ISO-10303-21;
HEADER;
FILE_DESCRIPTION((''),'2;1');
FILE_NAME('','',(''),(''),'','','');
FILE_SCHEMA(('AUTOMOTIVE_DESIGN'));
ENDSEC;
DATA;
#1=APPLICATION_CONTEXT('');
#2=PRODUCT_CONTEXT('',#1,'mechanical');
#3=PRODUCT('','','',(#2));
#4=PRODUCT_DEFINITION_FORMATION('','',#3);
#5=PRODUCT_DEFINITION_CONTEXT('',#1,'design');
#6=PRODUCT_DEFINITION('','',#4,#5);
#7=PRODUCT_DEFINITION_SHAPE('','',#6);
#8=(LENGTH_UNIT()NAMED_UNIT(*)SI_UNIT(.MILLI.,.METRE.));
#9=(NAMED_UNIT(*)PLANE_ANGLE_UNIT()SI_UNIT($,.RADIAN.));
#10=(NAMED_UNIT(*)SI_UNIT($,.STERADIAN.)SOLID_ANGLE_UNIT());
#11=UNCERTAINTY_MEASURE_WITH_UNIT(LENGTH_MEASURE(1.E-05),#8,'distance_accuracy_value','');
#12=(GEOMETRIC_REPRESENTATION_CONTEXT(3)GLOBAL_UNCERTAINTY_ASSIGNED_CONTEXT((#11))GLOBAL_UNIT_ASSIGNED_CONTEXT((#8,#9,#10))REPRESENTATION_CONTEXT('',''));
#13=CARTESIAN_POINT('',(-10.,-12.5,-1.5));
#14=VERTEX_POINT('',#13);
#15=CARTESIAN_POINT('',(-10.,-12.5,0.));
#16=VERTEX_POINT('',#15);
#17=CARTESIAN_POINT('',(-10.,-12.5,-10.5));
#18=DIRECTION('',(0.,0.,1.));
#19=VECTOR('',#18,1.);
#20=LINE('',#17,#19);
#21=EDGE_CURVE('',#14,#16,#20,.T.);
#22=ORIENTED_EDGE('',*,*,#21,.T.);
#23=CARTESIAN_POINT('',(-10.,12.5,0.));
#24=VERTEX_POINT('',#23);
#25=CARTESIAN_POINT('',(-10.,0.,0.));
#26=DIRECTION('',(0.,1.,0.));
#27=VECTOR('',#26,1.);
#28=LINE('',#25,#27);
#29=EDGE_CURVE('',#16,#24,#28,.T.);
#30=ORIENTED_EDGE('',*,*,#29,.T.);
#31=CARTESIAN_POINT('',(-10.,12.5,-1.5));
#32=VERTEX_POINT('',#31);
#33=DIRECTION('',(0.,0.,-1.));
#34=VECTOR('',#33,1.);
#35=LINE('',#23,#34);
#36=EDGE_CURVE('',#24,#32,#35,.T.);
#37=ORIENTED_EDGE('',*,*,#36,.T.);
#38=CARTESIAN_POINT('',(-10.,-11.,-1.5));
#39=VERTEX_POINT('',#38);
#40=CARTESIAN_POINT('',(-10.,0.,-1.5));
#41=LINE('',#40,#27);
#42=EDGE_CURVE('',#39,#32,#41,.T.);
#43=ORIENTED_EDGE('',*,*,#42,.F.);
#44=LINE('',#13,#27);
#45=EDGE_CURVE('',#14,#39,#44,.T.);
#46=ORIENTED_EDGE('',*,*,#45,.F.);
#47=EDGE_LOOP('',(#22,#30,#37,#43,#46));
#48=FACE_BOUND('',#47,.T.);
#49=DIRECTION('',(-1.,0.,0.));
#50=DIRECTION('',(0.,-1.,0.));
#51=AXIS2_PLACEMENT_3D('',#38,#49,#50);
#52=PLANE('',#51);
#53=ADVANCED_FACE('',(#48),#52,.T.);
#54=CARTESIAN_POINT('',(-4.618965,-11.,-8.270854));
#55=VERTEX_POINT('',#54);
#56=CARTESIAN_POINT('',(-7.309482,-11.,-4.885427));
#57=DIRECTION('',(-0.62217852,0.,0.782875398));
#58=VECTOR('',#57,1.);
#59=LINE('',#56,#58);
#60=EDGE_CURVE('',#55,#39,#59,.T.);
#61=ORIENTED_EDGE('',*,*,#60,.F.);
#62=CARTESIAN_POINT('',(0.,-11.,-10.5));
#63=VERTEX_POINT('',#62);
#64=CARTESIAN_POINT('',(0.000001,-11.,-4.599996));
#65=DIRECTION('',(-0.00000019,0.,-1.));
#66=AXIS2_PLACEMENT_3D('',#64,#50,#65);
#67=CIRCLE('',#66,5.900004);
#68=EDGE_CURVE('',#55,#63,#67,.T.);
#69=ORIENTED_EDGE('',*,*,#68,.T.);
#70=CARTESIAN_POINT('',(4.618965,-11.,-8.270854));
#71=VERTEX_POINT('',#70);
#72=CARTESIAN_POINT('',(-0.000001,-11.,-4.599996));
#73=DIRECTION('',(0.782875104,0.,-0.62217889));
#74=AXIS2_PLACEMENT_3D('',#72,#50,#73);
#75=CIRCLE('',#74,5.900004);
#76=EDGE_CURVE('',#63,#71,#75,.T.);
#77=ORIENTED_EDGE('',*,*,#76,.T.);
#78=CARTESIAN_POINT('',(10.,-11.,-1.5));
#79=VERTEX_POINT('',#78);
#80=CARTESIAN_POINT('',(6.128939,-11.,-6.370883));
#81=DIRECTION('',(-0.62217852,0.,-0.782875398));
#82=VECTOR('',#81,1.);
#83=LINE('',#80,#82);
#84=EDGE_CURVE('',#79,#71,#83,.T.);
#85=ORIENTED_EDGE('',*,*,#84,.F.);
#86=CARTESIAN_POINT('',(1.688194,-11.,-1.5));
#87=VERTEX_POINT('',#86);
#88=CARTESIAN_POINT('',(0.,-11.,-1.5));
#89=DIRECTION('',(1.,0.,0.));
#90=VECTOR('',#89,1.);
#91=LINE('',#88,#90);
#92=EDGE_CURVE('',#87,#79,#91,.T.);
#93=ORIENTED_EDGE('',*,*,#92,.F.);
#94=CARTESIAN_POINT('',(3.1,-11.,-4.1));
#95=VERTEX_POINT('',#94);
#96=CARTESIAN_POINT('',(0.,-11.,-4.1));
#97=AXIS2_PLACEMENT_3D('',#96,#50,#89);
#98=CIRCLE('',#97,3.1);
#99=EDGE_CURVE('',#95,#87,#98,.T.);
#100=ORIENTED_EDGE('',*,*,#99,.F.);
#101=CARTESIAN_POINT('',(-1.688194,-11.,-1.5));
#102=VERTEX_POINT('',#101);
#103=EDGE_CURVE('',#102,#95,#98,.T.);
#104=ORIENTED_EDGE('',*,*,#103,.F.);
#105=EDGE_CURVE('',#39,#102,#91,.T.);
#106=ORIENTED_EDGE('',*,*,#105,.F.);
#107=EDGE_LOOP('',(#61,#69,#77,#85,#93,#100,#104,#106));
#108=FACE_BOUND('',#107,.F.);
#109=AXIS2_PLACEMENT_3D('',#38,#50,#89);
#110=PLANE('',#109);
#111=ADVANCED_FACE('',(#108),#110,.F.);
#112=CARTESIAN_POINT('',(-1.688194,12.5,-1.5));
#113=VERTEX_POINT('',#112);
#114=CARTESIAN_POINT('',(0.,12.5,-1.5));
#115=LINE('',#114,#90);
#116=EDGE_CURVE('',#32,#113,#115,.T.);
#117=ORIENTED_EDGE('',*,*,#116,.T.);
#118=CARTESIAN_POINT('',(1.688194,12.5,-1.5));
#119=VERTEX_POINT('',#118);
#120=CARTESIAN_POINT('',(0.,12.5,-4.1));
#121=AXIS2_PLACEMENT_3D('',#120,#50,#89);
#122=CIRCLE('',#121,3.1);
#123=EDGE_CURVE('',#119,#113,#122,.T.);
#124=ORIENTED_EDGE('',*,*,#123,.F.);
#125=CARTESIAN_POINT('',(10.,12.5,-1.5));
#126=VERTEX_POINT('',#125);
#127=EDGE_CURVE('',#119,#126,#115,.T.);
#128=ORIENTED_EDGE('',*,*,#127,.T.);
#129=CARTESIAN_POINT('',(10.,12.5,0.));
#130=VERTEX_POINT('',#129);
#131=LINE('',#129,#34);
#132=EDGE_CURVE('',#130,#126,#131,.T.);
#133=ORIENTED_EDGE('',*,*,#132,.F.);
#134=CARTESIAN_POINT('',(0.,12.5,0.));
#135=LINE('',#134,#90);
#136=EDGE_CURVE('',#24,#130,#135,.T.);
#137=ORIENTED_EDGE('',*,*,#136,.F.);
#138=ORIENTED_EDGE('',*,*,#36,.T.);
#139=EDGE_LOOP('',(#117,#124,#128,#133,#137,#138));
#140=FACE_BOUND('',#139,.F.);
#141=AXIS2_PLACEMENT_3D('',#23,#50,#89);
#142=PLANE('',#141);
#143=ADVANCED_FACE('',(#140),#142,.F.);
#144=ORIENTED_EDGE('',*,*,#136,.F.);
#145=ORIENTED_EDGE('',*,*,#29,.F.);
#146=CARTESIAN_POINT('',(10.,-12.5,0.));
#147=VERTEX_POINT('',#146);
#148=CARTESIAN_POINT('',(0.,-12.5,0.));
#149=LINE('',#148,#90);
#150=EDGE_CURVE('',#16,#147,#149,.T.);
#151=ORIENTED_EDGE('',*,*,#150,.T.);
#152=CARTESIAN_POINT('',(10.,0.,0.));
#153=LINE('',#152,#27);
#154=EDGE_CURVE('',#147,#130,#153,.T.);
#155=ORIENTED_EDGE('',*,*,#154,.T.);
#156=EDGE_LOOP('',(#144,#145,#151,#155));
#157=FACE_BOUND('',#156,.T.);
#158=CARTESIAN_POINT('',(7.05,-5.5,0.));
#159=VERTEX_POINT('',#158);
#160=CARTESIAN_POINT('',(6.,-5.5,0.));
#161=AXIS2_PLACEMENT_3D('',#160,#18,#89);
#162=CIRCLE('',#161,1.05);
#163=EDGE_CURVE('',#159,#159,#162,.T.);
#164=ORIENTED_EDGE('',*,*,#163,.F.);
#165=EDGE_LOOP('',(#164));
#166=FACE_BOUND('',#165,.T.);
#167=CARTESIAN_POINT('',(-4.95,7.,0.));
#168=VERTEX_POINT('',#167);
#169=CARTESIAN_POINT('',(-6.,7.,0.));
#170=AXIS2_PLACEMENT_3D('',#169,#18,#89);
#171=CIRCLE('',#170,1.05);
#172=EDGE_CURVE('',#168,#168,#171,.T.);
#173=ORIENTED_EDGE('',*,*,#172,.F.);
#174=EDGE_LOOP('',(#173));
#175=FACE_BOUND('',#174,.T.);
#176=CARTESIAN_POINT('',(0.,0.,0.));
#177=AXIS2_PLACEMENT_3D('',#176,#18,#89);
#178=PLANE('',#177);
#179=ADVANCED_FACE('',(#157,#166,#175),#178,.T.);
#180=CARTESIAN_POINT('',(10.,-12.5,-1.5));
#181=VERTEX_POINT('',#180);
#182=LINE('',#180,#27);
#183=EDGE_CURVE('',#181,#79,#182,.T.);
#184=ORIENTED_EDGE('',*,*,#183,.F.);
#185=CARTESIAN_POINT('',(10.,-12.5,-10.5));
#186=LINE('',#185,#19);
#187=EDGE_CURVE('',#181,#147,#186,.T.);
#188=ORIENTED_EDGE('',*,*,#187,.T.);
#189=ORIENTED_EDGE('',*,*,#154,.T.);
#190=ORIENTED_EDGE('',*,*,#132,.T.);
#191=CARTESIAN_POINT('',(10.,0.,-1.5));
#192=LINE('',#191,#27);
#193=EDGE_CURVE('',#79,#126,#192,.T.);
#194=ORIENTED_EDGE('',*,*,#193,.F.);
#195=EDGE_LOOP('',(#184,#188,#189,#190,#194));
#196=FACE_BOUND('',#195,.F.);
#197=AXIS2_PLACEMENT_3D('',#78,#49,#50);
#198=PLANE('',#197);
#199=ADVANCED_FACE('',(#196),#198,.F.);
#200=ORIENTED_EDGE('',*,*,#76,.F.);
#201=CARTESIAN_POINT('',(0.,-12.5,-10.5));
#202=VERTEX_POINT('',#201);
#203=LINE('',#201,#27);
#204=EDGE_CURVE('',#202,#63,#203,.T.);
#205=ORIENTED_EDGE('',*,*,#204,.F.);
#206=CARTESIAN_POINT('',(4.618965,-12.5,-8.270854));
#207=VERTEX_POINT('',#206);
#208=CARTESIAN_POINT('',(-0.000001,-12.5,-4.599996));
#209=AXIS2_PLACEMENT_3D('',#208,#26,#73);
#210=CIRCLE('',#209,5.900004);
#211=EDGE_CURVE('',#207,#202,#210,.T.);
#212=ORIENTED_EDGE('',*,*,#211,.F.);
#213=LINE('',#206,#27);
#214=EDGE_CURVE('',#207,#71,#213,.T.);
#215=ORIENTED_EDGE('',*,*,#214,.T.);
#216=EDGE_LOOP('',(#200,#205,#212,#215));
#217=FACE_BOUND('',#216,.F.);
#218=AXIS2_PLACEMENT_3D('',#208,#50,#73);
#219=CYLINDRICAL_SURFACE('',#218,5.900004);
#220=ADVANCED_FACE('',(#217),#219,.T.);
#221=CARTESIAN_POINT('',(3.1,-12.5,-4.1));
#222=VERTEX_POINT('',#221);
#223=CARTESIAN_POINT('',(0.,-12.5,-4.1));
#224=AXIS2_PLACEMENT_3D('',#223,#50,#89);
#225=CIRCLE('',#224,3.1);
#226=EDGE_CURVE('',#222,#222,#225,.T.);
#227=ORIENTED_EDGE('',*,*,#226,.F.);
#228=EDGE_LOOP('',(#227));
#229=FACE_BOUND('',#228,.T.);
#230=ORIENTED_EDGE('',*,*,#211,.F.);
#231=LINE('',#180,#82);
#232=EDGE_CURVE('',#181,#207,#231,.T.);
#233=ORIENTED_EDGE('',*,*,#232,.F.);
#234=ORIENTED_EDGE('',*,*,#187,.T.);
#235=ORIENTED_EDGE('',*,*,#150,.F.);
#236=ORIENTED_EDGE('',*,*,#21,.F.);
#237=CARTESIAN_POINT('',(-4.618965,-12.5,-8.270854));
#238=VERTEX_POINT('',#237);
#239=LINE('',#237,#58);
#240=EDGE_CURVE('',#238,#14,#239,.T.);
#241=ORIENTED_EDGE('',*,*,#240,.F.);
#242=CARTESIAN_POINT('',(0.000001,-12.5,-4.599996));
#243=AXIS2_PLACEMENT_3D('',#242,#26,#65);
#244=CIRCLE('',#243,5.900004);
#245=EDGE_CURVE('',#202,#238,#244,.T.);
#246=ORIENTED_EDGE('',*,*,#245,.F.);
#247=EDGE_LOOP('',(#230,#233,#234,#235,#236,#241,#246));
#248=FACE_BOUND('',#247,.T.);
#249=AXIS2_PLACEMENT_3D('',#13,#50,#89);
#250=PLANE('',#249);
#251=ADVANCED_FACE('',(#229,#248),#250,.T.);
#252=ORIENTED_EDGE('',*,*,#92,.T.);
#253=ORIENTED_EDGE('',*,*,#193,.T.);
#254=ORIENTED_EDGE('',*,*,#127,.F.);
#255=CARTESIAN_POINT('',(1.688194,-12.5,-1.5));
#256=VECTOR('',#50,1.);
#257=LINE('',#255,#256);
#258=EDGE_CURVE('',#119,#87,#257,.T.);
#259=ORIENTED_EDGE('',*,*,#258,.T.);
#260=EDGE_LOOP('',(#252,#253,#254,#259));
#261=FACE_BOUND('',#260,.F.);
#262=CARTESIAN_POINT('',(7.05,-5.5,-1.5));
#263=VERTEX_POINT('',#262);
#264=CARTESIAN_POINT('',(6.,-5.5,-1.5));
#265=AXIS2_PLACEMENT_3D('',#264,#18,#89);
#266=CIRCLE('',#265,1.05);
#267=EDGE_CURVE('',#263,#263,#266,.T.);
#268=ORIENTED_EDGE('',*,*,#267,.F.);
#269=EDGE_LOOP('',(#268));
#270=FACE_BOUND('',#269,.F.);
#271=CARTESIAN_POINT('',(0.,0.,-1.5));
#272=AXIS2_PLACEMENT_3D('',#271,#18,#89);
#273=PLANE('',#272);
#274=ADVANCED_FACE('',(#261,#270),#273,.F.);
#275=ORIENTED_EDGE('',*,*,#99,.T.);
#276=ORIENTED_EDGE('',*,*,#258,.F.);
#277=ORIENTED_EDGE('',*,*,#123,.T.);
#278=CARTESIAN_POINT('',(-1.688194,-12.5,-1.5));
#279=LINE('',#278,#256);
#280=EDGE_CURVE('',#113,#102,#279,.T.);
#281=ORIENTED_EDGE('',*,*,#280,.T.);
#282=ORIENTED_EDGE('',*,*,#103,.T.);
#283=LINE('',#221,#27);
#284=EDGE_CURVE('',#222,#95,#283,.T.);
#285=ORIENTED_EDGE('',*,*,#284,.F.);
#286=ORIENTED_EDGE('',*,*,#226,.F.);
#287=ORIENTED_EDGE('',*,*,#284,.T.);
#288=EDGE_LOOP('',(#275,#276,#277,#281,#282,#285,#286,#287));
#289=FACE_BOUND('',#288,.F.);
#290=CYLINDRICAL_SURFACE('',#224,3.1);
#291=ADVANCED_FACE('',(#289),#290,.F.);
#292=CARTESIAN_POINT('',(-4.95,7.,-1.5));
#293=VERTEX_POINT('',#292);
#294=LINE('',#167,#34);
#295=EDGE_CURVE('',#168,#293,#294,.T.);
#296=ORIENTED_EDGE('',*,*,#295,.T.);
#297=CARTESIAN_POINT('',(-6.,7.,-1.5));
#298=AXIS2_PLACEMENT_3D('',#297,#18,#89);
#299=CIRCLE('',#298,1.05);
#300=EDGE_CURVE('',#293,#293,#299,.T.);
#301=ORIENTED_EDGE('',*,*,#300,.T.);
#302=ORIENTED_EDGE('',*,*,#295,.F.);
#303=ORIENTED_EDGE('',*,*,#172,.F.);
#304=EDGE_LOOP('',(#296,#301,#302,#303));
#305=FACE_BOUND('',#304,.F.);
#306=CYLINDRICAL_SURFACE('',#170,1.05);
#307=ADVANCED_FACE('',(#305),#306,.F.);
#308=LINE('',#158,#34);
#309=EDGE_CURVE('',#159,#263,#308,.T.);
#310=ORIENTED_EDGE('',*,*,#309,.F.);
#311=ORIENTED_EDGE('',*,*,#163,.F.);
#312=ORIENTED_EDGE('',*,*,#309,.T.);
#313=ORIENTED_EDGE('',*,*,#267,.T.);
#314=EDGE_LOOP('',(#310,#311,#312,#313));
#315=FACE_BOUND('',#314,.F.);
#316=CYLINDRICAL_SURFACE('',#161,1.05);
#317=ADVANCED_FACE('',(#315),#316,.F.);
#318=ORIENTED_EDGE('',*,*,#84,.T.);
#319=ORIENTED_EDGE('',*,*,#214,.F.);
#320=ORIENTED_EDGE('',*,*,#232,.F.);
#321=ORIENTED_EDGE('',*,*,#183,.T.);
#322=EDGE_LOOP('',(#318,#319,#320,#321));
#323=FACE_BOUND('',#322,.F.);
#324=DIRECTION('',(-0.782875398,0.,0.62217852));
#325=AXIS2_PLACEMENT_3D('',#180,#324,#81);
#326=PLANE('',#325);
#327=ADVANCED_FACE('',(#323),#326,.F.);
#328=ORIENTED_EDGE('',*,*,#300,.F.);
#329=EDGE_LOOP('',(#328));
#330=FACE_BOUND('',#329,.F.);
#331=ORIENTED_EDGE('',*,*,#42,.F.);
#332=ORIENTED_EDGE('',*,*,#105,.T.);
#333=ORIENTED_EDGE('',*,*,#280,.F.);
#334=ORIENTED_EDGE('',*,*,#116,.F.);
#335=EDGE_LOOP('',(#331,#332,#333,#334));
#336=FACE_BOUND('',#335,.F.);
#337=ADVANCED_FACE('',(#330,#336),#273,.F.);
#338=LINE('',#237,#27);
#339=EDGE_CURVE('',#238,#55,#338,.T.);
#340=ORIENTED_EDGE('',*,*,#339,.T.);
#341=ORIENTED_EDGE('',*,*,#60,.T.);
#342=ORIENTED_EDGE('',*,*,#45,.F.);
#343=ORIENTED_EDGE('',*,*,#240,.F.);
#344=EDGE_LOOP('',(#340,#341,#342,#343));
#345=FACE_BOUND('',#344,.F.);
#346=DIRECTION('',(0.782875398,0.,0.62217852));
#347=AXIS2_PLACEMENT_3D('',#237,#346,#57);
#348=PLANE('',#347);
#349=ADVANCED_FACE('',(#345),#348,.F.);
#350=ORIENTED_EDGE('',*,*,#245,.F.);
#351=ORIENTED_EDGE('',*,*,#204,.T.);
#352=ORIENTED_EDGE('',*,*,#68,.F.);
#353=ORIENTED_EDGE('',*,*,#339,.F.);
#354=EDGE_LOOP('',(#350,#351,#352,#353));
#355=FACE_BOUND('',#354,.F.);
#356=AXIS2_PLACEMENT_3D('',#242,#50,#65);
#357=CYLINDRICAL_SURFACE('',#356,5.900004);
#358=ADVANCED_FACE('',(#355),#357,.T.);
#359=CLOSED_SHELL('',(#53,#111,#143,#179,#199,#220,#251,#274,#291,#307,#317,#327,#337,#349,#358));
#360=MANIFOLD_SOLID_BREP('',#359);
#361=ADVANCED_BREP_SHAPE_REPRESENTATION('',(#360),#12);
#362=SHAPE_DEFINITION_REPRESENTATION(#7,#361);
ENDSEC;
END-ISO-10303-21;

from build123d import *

# Parameters (mm, degrees)
F0_W     = 20
F0_H     = 25
F0_R     = 1.05
F1_DEPTH = 1.5
F2_W     = 20
F2_H     = 1.5
F3_DEPTH = 9
F4_R     = 3.1
F5_DEPTH = 30


with BuildPart() as f1:
    # F0 (on Top) → F1 (new body)
    with BuildSketch(Plane.XY):
        Rectangle(F0_W, F0_H)
        with Locations((6, -5.5)):
            Circle(F0_R, mode=Mode.SUBTRACT)
        with Locations((-6, 7)):
            Circle(F0_R, mode=Mode.SUBTRACT)
    extrude(amount=-F1_DEPTH)

    # F2 (on face) → F3 (join)
    with BuildSketch(Plane(origin=(0, 0, -1.5), x_dir=(1, 0, 0), z_dir=(0, 0, -1))):
        with Locations((0, 11.75)):
            Rectangle(F2_W, F2_H)
    extrude(amount=F3_DEPTH)

    # F4 (on face) → F5 (cut)
    with BuildSketch(Plane.XZ.offset(12.5)):
        with Locations((0, -4.1)):
            Circle(F4_R)
        with BuildLine():
            Line((-4.618965, -8.270854), (-10, -1.5))
            Line((-10, -1.5), (-10, -10.5))
            Line((-10, -10.5), (0, -10.5))
            ThreePointArc((0, -10.5), (-2.564368, -9.913569), (-4.618965, -8.270854))
        make_face()
        with BuildLine():
            ThreePointArc((4.618965, -8.270854), (2.564368, -9.913569), (0, -10.5))
            Line((0, -10.5), (10, -10.5))
            Line((10, -10.5), (10, -1.5))
            Line((10, -1.5), (4.618965, -8.270854))
        make_face()
    extrude(amount=-F5_DEPTH, mode=Mode.SUBTRACT)


solid = f1.part
